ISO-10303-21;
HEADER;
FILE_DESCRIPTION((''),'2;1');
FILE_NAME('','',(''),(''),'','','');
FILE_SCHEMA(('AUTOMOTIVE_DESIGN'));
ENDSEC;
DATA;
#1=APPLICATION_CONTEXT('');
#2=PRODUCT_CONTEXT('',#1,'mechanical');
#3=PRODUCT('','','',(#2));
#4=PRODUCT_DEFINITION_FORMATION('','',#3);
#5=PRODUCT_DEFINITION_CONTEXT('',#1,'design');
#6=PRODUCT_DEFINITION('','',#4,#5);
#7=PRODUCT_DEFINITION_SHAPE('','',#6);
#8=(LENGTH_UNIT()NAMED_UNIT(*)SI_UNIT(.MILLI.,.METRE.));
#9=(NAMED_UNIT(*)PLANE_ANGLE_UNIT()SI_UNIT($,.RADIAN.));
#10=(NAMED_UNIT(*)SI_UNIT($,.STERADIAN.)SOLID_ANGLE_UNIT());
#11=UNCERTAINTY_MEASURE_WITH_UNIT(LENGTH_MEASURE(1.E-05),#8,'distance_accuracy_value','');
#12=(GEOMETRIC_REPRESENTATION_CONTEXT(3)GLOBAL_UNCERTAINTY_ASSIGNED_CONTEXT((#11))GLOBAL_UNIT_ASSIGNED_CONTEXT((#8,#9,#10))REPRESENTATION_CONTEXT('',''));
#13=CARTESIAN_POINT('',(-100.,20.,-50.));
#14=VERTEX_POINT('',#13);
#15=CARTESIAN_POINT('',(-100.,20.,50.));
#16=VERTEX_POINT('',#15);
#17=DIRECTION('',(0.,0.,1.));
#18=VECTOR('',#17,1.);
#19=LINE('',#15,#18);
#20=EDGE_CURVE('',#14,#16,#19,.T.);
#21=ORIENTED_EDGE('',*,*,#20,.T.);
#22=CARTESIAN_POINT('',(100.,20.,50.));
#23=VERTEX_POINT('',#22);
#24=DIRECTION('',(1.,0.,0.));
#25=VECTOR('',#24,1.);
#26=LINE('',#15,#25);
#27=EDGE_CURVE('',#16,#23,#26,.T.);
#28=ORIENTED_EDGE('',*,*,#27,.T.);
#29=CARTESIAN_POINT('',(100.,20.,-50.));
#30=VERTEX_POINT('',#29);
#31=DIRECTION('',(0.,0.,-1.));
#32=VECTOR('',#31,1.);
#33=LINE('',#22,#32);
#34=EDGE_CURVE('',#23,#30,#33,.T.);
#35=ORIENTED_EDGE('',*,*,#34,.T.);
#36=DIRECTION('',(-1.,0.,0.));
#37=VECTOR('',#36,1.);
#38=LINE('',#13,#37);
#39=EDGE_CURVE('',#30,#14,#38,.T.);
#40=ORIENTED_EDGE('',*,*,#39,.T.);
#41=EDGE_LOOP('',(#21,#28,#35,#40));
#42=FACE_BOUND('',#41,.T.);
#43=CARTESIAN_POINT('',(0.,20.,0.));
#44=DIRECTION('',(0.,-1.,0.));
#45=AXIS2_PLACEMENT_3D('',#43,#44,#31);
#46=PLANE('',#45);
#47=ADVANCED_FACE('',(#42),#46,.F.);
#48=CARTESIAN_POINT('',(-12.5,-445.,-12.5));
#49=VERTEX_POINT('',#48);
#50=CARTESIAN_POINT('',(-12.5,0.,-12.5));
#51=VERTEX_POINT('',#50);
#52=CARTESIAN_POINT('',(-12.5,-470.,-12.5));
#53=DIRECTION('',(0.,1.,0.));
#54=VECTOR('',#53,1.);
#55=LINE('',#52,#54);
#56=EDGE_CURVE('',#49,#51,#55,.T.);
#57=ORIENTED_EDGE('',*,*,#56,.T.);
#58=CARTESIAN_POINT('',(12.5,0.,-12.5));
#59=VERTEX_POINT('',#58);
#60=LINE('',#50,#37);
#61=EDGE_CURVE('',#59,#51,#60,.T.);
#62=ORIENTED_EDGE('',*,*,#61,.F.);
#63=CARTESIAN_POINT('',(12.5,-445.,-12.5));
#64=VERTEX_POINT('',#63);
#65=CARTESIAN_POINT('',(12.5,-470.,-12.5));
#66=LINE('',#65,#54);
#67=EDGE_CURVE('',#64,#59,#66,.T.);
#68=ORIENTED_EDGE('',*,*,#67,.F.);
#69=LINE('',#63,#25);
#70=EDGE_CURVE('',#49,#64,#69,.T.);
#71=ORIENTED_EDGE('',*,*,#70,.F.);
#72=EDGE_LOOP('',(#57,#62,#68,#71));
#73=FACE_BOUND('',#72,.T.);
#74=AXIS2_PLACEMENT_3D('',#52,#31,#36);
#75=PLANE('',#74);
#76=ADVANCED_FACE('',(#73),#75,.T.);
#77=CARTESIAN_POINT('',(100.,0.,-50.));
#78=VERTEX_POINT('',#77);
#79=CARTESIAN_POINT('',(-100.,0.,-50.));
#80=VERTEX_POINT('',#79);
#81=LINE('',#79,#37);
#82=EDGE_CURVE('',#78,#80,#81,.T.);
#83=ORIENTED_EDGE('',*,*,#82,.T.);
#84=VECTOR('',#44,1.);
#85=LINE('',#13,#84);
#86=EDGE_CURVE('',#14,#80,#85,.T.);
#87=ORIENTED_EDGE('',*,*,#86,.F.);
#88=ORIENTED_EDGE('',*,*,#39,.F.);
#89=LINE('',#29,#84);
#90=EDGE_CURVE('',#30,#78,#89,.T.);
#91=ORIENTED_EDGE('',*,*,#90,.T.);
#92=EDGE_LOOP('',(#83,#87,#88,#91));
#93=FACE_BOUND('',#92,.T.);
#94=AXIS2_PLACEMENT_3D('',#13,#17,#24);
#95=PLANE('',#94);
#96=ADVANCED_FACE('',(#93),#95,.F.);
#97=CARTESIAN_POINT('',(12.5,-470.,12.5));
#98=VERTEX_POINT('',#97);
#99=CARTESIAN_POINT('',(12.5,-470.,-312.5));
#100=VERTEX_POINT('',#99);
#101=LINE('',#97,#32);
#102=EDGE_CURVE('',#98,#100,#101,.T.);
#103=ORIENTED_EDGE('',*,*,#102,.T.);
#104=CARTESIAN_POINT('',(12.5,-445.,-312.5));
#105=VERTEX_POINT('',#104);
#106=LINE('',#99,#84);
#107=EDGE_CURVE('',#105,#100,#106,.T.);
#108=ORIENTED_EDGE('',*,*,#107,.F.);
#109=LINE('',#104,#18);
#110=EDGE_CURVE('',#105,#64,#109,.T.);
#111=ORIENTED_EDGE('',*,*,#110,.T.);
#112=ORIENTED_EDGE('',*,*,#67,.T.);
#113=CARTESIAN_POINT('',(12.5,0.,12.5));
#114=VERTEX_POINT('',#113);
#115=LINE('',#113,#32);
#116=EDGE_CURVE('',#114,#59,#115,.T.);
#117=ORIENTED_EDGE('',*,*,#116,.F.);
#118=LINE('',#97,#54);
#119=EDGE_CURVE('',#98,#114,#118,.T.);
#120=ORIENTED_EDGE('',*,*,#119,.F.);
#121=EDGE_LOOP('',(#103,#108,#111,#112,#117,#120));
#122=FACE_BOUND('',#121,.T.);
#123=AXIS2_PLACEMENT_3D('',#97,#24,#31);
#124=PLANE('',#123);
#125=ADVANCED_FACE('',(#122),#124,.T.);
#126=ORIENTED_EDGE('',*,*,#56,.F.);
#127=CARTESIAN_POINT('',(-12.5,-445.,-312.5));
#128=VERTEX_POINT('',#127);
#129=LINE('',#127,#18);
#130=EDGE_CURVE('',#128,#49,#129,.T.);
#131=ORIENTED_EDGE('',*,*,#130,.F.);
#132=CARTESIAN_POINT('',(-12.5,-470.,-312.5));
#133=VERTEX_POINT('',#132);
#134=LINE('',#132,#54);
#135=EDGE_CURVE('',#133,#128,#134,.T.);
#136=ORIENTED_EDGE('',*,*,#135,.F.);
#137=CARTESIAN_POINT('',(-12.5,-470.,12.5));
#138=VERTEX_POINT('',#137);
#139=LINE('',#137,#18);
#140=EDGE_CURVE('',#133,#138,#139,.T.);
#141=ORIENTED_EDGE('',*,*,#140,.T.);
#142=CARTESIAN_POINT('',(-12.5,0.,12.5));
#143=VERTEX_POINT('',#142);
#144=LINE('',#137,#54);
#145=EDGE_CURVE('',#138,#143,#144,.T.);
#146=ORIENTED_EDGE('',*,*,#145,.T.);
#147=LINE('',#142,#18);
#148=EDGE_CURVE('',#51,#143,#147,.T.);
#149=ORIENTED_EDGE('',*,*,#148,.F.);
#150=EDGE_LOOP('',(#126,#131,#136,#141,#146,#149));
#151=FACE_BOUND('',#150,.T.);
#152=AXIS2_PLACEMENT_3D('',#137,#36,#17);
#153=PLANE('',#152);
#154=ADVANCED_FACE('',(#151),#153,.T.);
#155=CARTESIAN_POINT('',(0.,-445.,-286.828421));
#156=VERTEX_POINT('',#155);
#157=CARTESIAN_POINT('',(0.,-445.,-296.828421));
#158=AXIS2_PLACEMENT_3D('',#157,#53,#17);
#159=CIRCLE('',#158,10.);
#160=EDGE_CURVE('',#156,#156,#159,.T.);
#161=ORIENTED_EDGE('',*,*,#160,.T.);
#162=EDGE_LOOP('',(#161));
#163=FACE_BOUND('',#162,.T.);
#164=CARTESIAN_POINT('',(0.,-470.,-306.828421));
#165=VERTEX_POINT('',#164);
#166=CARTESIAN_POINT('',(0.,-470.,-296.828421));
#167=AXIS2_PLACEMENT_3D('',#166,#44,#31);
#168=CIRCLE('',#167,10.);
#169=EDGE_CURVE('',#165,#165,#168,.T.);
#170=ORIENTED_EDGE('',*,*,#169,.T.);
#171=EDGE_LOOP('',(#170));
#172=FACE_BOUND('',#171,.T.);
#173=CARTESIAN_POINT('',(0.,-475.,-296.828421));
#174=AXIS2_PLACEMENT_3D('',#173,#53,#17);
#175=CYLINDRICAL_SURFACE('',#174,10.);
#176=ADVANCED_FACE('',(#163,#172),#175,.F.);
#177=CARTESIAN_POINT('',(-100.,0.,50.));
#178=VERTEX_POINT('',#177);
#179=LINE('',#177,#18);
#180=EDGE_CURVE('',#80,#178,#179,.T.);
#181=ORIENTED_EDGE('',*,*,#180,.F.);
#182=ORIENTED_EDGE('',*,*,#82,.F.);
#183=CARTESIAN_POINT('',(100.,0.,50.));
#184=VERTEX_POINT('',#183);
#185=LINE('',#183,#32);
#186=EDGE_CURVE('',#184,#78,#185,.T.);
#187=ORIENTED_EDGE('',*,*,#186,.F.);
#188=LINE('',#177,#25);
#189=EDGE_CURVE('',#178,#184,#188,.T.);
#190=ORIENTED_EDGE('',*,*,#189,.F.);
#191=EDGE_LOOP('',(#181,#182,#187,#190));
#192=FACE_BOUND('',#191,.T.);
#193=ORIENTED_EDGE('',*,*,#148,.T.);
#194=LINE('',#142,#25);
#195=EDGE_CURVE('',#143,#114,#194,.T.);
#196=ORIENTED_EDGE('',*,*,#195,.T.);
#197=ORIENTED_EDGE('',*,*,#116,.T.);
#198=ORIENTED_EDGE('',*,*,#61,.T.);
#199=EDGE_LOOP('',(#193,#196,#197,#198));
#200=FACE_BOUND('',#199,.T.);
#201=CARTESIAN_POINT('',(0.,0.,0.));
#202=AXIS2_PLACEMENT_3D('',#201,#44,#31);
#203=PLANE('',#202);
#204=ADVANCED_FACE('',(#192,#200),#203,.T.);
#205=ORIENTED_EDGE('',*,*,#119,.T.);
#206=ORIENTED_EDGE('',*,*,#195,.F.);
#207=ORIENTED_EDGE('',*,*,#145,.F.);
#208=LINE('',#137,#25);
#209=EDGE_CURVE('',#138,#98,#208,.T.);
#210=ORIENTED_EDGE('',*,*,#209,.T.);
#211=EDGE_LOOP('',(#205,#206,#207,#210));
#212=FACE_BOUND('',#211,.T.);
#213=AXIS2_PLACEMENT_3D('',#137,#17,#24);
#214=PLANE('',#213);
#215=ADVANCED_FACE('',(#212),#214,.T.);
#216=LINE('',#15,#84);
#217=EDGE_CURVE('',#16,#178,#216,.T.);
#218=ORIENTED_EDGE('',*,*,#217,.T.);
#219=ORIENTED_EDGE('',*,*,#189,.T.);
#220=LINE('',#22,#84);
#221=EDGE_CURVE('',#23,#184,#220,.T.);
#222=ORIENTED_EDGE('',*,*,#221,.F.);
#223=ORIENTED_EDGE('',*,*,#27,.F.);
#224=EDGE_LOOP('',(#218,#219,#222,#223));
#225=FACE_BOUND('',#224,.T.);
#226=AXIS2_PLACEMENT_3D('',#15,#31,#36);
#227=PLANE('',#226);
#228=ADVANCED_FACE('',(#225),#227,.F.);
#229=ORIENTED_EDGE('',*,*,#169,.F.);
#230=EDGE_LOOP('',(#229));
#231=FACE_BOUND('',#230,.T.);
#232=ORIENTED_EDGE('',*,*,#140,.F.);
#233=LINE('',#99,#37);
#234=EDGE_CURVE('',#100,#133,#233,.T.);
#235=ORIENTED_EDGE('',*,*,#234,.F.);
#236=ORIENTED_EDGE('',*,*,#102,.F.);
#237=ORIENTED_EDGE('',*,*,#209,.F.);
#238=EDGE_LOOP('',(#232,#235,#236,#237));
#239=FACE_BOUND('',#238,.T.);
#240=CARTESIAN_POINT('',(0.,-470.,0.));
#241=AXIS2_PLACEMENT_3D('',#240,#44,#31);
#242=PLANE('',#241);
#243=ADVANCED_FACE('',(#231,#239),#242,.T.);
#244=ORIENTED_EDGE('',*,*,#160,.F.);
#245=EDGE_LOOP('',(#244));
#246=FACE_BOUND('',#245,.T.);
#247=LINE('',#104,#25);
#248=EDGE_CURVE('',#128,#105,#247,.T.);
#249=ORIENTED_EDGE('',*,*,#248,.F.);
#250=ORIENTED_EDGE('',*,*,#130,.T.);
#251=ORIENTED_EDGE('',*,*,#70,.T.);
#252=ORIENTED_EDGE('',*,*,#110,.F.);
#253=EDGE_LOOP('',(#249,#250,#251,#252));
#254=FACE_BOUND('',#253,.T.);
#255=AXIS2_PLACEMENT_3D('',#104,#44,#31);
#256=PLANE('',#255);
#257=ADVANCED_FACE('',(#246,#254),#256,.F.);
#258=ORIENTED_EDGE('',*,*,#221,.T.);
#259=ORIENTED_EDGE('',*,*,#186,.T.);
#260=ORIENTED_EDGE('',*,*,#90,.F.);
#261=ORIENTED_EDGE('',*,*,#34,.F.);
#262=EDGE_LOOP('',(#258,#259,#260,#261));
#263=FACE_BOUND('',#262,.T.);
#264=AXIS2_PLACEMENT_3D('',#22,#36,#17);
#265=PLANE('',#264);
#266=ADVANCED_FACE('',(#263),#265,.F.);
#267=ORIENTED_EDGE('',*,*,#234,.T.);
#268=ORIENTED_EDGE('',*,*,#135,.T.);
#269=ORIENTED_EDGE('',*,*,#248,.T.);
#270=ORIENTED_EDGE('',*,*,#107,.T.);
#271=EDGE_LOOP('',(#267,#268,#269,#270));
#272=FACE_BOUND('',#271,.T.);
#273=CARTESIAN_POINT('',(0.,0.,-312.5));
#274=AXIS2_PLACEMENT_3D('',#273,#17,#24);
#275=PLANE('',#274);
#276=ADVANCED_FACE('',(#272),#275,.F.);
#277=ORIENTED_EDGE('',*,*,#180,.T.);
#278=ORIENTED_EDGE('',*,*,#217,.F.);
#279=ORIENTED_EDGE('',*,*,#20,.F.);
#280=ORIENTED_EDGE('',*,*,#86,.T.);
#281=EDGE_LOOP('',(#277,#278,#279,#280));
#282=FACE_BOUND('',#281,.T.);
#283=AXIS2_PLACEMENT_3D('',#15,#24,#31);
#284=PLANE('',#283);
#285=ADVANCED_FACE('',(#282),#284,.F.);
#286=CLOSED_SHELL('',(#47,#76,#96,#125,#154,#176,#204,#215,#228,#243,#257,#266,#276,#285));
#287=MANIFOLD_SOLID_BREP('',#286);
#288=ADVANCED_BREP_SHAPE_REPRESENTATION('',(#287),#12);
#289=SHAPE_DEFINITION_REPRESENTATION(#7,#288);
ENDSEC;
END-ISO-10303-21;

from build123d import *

# Parameters (mm, degrees)
ESQUISSE1_W             = 200
ESQUISSE1_H             = 100
BOSS_EXTRU_1_DEPTH      = 20
ESQUISSE2_W             = 25
ESQUISSE2_H             = 25
BOSS_EXTRU_2_DEPTH      = 470
ESQUISSE6_W             = 25
ESQUISSE6_H             = 25
BOSS_EXTRU_3_DEPTH      = 300
ESQUISSE9_R             = 10
ENL_V_MAT_EXTRU_1_DEPTH = 30


with BuildPart() as part:
    # Esquisse1 → Boss.-Extru.1 (new body)
    with BuildSketch(Plane(origin=(0, 0, 0), x_dir=(1, 0, 0), z_dir=(0, 1, 0))):
        Rectangle(ESQUISSE1_W, ESQUISSE1_H)
    extrude(amount=BOSS_EXTRU_1_DEPTH)

    # Esquisse2 → Boss.-Extru.2 (add)
    with BuildSketch(Plane(origin=(0, 0, 0), x_dir=(1, 0, 0), z_dir=(0, 1, 0))):
        Rectangle(ESQUISSE2_W, ESQUISSE2_H)
    extrude(amount=-BOSS_EXTRU_2_DEPTH)

    # Esquisse6 → Boss.-Extru.3 (add)
    with BuildSketch(Plane(origin=(0, 0, -12.5), x_dir=(-1, 0, 0), z_dir=(0, 0, -1))):
        with Locations((0, -457.5)):
            Rectangle(ESQUISSE6_W, ESQUISSE6_H)
    extrude(amount=BOSS_EXTRU_3_DEPTH)

    # Esquisse9 → Enlèv. mat.-Extru.1 (cut)
    with BuildSketch(Plane(origin=(0, -445, 0), x_dir=(1, 0, 0), z_dir=(0, 1, 0))):
        with Locations(Location((0, 296.828421152, 0), (0, 0, 270))):
            Circle(ESQUISSE9_R)
    extrude(amount=-ENL_V_MAT_EXTRU_1_DEPTH, mode=Mode.SUBTRACT)


solid = part.part
